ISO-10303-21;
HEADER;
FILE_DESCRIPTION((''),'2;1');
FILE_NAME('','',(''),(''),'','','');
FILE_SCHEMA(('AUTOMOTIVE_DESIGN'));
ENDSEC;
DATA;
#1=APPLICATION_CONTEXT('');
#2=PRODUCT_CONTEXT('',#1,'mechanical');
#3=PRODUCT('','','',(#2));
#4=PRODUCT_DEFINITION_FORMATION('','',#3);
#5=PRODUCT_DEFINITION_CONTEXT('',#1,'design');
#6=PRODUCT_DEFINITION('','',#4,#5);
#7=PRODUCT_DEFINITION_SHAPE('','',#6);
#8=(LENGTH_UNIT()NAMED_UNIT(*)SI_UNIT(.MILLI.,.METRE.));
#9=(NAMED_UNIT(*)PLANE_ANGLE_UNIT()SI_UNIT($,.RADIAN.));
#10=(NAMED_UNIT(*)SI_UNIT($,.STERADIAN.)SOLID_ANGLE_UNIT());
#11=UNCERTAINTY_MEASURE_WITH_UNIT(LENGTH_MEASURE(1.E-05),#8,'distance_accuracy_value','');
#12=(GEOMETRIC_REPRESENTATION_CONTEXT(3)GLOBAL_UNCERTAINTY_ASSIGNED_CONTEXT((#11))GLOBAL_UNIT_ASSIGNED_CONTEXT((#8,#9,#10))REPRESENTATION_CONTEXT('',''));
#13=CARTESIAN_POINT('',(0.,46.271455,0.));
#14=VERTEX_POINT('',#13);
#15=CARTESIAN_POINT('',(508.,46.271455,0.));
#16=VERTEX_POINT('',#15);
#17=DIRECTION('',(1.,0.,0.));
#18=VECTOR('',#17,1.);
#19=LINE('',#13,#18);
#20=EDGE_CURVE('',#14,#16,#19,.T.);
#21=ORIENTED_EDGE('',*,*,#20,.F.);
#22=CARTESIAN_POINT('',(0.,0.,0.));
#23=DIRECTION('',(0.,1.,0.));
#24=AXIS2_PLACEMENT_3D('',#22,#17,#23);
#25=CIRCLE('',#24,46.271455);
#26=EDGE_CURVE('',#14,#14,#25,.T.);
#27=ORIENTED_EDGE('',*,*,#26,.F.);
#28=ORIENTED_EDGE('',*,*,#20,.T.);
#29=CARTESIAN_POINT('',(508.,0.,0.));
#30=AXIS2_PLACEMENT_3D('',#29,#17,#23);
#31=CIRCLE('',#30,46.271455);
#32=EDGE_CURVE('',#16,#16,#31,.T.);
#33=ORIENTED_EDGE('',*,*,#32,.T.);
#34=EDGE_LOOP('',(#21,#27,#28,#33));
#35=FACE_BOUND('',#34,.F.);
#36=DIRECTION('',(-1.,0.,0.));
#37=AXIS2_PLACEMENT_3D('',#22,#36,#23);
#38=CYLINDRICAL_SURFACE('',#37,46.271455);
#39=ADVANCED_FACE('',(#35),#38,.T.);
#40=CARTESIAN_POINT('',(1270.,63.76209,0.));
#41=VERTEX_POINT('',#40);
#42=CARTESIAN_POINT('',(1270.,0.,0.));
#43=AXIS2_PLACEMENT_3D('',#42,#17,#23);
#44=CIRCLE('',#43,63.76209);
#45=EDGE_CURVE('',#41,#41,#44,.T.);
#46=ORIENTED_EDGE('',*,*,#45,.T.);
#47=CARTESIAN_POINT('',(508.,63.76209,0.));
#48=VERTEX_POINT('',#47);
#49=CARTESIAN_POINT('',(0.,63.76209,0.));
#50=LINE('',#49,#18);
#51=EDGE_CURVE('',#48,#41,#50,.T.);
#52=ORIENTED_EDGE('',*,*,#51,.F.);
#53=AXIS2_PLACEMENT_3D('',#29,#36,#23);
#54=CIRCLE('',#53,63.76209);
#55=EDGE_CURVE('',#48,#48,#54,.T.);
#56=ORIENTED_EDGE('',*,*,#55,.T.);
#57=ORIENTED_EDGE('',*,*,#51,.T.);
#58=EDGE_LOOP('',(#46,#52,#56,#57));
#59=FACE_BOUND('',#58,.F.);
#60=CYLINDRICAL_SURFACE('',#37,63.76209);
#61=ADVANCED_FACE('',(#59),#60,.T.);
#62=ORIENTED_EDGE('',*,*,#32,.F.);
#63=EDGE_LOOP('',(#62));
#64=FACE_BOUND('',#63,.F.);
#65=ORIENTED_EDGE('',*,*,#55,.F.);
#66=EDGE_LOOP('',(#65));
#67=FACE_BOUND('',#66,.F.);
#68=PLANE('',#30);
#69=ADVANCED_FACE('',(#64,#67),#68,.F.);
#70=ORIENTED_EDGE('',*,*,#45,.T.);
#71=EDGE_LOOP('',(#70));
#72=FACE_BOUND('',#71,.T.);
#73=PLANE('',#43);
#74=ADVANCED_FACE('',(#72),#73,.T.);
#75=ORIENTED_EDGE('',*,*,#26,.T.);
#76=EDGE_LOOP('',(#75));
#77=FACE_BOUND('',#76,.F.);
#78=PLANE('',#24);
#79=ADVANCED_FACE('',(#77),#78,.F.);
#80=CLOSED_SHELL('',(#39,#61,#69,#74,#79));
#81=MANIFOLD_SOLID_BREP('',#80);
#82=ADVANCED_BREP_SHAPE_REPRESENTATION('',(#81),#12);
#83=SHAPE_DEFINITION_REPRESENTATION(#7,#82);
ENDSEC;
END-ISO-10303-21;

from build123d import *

# Parameters (mm, degrees)
F0_R     = 63.76209
F1_DEPTH = 1270
F2_R     = 63.836197
F2_R_2   = 46.271455
F3_DEPTH = 508


with BuildPart() as f1:
    # F0 (on Right) → F1 (new body)
    with BuildSketch(Plane.YZ):
        Circle(F0_R)
    extrude(amount=F1_DEPTH)

    # F2 (on Right) → F3 (cut)
    with BuildSketch(Plane.YZ):
        Circle(F2_R)
        Circle(F2_R_2, mode=Mode.SUBTRACT)
    extrude(amount=F3_DEPTH, mode=Mode.SUBTRACT)


solid = f1.part
